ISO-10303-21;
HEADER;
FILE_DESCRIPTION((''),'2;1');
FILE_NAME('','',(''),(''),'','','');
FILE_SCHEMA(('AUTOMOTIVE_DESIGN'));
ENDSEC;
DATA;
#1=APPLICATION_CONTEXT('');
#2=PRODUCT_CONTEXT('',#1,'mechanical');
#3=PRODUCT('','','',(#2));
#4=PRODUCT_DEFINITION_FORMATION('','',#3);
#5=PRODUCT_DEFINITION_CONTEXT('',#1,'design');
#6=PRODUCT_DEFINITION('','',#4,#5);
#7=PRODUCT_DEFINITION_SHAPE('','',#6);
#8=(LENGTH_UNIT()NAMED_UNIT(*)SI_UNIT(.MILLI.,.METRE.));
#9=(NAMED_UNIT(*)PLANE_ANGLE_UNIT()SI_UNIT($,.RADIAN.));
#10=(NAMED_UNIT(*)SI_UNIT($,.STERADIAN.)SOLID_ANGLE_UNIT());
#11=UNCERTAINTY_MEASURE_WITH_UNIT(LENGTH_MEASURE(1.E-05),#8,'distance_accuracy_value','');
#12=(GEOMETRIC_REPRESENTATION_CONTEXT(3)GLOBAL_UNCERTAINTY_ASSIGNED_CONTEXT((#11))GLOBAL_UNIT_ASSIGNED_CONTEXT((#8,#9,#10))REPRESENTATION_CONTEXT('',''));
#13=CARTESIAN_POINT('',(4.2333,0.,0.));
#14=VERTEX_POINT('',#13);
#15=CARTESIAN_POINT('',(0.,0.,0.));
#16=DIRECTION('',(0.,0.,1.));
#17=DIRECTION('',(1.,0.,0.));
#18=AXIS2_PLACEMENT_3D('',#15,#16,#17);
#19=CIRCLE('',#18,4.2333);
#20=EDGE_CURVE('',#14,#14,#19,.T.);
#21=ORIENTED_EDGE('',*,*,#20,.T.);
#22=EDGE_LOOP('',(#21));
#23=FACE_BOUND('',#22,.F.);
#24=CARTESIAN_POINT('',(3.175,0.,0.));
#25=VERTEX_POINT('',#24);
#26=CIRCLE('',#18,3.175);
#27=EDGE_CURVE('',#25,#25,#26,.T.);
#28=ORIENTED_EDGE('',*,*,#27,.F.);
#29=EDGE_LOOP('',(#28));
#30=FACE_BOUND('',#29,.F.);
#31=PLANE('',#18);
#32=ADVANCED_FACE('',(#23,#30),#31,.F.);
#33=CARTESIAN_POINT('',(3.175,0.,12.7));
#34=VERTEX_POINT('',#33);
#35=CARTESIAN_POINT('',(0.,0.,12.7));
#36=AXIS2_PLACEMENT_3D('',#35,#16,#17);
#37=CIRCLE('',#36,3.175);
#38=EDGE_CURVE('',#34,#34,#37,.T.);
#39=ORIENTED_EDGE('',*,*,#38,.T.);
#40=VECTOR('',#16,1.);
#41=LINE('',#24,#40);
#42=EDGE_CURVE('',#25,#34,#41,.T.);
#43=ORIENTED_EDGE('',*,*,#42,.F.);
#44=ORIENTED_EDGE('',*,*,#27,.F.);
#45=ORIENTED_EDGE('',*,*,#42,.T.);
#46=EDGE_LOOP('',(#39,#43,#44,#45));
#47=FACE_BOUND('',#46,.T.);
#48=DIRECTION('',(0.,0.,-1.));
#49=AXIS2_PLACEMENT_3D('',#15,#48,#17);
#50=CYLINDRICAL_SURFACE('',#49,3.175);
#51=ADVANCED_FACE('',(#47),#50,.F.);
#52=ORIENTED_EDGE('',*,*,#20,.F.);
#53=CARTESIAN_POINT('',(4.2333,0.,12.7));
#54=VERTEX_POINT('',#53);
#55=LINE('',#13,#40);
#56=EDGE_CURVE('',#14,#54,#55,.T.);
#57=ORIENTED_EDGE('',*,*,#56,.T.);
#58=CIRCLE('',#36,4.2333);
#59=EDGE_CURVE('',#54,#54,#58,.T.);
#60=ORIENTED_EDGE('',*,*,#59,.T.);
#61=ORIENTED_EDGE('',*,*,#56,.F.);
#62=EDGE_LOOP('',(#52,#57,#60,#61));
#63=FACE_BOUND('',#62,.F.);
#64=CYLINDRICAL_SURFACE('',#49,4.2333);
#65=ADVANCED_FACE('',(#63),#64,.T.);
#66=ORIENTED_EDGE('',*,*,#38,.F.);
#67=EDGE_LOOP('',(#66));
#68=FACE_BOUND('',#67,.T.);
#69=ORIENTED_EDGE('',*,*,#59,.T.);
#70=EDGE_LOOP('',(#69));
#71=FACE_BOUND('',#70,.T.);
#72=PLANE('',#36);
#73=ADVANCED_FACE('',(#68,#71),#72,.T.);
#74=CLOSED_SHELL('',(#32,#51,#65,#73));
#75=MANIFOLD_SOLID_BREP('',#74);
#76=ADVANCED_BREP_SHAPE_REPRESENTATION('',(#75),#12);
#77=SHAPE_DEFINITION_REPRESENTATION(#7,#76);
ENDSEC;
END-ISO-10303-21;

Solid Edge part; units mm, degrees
sketch "Sketch1" plane through (0, 0, 0) normal (0, 0, 1) x (1, 0, 0)
  circle A0 centre (0, 0) radius 3.175
  circle A1 centre (0, 0) radius 4.2333
  dimension "D1" = 6.35
  dimension "D2" = 8.4667
extrude "Protrusion1" add sketch "Sketch1" along normal blind 12.7
properties part number "BumbleB0262"
